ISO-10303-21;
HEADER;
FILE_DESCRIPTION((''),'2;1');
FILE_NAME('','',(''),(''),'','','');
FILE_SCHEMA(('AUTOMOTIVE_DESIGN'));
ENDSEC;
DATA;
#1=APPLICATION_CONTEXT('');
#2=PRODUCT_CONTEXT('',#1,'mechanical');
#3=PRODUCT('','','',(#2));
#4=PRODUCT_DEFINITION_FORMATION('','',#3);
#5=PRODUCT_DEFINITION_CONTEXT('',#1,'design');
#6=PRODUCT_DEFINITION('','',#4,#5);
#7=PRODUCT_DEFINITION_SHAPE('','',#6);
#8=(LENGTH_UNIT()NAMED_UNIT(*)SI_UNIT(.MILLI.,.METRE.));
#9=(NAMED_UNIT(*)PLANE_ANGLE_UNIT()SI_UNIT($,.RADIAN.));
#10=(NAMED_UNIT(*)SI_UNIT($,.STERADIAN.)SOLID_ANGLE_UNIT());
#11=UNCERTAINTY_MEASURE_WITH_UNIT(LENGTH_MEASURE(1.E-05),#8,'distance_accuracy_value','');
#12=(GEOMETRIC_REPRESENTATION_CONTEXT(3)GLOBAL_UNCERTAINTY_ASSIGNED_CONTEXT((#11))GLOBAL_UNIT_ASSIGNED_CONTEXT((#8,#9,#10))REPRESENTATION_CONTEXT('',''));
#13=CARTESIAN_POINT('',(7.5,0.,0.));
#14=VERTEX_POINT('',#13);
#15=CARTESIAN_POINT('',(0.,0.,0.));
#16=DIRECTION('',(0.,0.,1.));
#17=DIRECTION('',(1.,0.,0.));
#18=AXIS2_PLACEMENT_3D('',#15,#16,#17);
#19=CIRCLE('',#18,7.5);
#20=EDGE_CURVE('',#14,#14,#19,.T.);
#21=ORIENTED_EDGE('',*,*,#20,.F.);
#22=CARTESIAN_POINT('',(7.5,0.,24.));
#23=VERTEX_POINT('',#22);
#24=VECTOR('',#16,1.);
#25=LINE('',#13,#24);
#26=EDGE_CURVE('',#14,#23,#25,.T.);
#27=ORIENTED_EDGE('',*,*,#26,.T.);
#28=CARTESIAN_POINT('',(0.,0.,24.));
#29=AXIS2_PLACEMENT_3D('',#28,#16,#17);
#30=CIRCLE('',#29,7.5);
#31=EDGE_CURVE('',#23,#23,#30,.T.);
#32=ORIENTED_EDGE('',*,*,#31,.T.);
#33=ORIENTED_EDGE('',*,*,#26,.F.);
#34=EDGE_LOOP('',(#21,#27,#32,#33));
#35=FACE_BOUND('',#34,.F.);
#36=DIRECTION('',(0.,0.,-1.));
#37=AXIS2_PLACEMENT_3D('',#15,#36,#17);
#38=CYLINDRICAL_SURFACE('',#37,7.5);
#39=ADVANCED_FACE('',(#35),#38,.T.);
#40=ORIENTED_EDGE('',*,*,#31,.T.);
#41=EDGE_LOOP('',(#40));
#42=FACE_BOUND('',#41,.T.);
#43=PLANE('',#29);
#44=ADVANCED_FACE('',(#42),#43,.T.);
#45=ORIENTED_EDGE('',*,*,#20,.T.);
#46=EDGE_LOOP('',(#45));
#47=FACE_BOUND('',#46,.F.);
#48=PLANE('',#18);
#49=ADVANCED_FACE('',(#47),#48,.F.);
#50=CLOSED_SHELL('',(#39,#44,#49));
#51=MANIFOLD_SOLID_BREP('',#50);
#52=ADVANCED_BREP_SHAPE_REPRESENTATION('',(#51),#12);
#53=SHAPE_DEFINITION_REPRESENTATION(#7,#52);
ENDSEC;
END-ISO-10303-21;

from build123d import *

# Parameters (mm, degrees)
SKETCH_R  = 7.5
PAD_DEPTH = 24


with BuildPart() as part:
    # Sketch → Pad (new body)
    with BuildSketch(Plane.XY):
        Circle(SKETCH_R)
    extrude(amount=PAD_DEPTH)


solid = part.part
